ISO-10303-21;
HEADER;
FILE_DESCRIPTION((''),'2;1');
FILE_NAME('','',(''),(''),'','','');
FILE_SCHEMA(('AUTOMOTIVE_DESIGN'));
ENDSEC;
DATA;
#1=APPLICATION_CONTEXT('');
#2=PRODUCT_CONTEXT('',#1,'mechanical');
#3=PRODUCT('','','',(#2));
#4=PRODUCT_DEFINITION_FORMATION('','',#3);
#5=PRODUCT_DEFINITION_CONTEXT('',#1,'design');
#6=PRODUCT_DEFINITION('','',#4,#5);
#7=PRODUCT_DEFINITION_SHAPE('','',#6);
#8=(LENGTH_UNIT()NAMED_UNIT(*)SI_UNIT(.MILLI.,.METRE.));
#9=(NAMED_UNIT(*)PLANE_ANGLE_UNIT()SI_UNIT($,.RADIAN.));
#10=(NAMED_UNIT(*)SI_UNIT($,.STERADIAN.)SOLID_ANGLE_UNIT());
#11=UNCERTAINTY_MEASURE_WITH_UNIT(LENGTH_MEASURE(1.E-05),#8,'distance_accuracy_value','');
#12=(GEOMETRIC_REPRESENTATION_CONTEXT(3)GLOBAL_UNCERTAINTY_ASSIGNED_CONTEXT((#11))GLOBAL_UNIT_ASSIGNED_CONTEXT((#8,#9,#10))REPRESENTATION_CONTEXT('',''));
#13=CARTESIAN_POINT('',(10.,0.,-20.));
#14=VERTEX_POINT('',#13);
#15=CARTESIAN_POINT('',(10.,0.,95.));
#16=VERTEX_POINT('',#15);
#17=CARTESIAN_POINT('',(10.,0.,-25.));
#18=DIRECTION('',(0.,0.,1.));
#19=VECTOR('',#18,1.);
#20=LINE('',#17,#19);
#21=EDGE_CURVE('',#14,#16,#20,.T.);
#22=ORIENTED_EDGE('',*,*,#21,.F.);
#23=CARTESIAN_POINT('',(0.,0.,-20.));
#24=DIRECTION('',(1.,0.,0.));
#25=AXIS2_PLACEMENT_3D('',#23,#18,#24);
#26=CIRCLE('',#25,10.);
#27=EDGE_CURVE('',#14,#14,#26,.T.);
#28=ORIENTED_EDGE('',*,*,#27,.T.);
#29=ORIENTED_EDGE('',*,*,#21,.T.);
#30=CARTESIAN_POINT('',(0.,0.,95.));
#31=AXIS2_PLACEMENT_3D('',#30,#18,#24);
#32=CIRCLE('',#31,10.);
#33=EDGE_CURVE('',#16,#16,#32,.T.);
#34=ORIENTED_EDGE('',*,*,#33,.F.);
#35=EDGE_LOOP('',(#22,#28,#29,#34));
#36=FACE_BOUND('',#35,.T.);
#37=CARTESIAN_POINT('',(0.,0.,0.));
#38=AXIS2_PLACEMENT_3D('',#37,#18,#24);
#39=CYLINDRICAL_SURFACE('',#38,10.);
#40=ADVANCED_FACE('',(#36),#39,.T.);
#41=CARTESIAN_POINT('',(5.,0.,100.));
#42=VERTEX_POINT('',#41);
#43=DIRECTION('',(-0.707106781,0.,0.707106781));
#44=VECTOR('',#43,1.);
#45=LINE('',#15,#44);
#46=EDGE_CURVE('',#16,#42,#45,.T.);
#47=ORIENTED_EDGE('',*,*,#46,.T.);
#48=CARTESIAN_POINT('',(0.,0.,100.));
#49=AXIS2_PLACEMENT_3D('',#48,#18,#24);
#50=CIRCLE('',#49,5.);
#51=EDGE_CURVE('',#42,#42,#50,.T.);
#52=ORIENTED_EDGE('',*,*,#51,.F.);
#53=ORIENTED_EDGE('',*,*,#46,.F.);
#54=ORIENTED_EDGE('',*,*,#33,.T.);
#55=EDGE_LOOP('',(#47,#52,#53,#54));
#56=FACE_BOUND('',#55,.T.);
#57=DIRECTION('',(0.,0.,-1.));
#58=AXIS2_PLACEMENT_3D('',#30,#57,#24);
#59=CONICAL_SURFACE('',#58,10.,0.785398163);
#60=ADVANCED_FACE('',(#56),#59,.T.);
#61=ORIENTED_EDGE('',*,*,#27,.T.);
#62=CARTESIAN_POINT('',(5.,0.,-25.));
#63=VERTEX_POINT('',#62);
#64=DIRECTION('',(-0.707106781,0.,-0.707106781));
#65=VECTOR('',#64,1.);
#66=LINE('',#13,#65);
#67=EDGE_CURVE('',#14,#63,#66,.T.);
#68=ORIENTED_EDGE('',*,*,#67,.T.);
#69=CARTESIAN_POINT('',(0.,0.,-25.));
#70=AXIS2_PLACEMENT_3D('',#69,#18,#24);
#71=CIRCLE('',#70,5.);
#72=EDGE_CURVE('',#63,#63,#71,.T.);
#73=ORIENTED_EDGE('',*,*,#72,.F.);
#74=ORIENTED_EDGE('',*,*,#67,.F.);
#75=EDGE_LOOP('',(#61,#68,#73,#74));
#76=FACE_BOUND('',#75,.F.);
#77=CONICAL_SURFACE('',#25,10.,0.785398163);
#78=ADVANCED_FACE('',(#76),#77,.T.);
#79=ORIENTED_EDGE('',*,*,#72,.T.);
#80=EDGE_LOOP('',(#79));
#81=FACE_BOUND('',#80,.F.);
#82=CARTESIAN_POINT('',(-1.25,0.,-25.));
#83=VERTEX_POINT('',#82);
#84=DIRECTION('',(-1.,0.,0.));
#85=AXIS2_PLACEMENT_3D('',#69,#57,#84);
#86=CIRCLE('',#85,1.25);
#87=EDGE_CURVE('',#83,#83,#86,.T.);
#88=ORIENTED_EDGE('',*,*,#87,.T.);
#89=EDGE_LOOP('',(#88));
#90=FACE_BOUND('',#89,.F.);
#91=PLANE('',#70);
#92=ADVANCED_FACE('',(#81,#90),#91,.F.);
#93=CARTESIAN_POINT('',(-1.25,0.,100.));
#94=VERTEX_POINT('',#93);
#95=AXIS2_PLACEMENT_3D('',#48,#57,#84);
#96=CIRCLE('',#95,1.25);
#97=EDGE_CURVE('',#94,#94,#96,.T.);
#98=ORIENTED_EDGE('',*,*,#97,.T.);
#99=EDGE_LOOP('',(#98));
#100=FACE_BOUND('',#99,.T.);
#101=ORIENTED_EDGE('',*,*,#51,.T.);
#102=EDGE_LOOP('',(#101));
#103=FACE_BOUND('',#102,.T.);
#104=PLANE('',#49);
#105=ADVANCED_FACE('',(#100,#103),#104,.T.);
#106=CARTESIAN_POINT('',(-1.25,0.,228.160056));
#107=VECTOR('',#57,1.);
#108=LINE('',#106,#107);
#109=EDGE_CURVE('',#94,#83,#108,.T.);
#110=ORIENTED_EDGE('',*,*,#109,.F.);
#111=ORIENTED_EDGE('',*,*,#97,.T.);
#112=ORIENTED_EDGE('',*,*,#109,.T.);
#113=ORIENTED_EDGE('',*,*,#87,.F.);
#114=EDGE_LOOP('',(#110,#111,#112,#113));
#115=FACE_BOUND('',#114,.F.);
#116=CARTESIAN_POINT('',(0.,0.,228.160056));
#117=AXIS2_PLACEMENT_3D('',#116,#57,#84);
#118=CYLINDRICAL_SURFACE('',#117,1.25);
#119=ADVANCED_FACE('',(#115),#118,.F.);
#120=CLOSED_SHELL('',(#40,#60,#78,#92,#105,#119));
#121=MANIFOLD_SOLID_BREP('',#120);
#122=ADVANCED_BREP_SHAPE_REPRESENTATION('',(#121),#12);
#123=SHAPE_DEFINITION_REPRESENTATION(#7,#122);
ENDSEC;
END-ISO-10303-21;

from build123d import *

# Parameters (mm, degrees)
F0_R          = 10
F1_DEPTH      = 100
F1_DEPTH_BACK = 25
F2_SIZE       = 5
F4_D          = 2.5
F5_SIZE       = 5


with BuildPart() as f1:
    # F0 (on Top) → F1 (new body, two sides)
    with BuildSketch(Plane.XY) as f1_sk:
        Circle(F0_R)
    extrude(amount=F1_DEPTH)
    extrude(f1_sk.sketch, amount=-F1_DEPTH_BACK)

    # F2
    f2_edges = [f1.edges().sort_by_distance(p)[0] for p in [
        (-10, 0, 100),
    ]]
    chamfer(f2_edges, length=F2_SIZE)

    # F4 (through all)
    with Locations(Plane.XY.offset(100)):
        with Locations((0, 0)):
            Hole(F4_D / 2)

    # F5
    f5_edges = [f1.edges().sort_by_distance(p)[0] for p in [
        (-10, 0, -25),
    ]]
    chamfer(f5_edges, length=F5_SIZE)


solid = f1.part
